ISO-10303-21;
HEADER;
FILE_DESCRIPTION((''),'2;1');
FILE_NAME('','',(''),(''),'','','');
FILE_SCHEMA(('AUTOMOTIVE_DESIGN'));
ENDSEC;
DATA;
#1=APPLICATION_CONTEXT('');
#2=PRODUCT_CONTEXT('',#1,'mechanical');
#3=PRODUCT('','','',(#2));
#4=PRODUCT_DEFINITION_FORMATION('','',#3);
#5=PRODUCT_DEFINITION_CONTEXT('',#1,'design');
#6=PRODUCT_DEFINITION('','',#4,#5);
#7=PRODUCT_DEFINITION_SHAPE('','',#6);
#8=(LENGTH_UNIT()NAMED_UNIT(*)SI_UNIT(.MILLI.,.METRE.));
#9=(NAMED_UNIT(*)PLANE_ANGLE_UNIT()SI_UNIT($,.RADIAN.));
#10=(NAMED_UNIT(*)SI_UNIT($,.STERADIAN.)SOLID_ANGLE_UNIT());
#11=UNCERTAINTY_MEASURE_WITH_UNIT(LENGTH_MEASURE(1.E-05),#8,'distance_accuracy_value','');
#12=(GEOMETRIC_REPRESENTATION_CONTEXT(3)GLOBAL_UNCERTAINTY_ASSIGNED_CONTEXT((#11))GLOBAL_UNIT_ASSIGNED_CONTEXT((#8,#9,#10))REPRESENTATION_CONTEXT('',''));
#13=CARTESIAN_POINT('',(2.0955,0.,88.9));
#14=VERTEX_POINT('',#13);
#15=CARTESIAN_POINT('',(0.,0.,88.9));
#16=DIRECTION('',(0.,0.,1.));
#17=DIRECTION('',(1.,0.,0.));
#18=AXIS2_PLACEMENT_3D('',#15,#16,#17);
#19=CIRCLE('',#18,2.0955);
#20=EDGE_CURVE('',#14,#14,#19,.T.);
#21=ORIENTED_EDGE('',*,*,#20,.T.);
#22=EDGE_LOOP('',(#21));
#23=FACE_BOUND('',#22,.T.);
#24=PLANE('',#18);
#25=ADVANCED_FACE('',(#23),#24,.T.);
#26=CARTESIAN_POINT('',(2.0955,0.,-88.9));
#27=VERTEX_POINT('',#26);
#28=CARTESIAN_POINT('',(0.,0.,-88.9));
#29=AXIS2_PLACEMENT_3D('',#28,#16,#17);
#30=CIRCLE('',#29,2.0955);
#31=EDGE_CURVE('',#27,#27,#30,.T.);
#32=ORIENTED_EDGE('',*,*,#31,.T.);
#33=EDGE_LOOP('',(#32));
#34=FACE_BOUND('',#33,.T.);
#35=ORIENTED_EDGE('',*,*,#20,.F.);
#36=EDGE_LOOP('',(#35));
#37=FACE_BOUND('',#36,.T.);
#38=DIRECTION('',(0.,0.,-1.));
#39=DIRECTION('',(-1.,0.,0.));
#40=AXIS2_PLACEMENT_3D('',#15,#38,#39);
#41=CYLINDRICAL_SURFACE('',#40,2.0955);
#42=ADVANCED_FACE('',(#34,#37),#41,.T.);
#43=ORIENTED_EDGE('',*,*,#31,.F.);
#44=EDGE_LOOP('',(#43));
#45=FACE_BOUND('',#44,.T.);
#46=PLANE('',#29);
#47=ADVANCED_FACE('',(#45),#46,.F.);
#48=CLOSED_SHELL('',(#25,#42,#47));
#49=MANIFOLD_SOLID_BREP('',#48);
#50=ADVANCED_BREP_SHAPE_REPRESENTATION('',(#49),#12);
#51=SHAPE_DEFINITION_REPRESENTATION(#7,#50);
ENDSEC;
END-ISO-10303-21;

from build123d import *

# Parameters (mm, degrees)
SKETCH1_R      = 2.0955
EXTRUDE1_DEPTH = 88.9


with BuildPart() as part:
    # Sketch1 → Extrude1 (new body, symmetric)
    with BuildSketch(Plane.XY):
        Circle(SKETCH1_R)
    extrude(amount=EXTRUDE1_DEPTH, both=True)


solid = part.part
